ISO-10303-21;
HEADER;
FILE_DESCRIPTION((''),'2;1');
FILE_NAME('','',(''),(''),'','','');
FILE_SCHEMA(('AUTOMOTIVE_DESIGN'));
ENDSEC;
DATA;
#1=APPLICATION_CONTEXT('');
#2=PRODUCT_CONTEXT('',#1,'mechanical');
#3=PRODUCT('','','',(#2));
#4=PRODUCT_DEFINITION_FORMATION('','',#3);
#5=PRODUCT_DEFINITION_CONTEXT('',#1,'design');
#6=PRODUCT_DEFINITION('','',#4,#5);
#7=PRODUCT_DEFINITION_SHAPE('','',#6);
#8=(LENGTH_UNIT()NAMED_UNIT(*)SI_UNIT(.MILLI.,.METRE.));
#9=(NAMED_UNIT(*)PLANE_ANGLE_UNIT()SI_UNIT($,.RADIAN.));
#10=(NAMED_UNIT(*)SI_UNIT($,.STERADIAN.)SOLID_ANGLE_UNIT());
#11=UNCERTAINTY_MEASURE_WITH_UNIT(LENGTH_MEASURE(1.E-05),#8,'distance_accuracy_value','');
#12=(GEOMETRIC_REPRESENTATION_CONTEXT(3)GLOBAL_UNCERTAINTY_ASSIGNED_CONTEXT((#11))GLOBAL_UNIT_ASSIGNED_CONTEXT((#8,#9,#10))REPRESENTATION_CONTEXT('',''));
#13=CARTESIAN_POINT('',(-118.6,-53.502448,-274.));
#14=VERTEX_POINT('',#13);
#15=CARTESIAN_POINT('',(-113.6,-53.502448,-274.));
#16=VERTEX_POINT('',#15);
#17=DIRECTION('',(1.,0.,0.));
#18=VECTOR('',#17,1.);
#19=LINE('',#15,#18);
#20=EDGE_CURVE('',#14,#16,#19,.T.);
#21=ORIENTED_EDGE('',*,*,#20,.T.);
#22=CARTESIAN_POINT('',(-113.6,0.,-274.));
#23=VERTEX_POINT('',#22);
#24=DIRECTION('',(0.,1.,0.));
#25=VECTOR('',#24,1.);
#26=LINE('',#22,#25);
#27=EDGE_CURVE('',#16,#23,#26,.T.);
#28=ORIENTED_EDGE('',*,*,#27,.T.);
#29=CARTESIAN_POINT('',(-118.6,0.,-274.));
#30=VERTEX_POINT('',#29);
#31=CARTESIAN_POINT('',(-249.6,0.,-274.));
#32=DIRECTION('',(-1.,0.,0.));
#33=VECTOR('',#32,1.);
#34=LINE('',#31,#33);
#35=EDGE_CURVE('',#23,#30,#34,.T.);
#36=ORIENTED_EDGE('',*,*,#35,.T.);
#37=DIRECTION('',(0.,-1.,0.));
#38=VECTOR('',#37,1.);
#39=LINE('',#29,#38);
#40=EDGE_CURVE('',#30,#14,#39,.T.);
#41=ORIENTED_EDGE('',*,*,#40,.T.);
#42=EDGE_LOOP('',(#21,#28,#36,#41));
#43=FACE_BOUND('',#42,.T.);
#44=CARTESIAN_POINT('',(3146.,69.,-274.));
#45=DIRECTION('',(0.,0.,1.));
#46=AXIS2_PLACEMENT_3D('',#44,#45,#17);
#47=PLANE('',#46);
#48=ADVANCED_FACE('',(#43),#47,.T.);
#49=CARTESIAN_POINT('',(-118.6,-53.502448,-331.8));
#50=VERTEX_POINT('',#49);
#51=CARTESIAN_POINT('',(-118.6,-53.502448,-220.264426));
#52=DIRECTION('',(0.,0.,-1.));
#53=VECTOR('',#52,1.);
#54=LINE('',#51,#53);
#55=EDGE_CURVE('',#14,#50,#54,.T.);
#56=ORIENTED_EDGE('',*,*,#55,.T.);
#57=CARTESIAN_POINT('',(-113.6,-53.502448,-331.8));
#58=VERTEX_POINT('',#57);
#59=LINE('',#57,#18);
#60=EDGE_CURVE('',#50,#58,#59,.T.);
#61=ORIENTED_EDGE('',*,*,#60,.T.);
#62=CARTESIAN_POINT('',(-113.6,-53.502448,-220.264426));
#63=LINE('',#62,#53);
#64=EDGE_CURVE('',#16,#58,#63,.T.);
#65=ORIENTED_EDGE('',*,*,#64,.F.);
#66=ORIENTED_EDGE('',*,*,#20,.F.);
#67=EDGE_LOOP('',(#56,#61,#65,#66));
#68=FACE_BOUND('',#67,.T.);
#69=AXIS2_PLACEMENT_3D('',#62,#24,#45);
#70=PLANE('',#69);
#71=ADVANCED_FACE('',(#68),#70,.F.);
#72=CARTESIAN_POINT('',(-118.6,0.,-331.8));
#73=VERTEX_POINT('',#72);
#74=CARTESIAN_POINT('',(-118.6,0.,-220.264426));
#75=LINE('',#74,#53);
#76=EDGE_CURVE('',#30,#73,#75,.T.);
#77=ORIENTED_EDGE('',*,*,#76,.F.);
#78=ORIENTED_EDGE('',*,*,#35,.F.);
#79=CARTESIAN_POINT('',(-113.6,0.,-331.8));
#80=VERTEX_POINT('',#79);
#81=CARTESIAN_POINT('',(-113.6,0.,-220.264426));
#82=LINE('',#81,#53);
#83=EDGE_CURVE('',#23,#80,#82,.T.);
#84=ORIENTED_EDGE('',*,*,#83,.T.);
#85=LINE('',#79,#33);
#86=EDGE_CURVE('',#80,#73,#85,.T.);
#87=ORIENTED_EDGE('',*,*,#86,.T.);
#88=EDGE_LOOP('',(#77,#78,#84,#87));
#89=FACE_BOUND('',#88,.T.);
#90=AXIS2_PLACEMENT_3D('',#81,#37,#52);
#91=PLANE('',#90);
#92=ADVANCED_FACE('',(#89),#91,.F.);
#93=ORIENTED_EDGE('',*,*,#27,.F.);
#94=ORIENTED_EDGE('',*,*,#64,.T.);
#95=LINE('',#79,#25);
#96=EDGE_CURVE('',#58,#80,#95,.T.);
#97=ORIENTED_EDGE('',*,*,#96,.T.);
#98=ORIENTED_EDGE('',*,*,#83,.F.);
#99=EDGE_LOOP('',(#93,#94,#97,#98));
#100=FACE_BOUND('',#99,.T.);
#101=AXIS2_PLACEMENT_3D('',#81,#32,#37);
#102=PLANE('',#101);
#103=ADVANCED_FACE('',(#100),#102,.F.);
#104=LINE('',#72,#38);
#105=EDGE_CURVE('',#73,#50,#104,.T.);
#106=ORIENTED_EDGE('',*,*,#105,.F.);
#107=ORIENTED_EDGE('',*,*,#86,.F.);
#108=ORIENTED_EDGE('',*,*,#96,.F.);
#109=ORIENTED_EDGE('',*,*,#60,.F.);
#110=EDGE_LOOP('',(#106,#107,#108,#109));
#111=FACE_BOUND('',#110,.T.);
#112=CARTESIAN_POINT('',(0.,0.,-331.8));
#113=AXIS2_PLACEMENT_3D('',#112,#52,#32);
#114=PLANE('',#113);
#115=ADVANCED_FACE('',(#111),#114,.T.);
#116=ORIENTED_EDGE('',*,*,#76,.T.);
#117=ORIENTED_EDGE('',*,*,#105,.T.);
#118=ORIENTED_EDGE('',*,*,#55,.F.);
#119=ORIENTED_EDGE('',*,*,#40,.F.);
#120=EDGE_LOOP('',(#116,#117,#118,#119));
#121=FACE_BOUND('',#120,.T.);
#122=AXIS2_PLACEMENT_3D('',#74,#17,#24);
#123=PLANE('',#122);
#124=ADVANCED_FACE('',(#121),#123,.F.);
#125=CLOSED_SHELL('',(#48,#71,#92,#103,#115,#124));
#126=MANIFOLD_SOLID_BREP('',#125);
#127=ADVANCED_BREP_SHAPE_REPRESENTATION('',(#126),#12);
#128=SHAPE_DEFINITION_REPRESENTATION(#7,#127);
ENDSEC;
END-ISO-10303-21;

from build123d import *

# Parameters (mm, degrees)
SKETCH2_W           = 5
SKETCH2_H           = 53.502447605
BOSS_EXTRUDE1_DEPTH = 57.8


with BuildPart() as part:
    # Sketch2 → Boss-Extrude1 (new body)
    with BuildSketch(Plane.XY.offset(-331.8)):
        with Locations((-116.1, -26.751223803)):
            Rectangle(SKETCH2_W, SKETCH2_H)
    extrude(amount=BOSS_EXTRUDE1_DEPTH)


solid = part.part
